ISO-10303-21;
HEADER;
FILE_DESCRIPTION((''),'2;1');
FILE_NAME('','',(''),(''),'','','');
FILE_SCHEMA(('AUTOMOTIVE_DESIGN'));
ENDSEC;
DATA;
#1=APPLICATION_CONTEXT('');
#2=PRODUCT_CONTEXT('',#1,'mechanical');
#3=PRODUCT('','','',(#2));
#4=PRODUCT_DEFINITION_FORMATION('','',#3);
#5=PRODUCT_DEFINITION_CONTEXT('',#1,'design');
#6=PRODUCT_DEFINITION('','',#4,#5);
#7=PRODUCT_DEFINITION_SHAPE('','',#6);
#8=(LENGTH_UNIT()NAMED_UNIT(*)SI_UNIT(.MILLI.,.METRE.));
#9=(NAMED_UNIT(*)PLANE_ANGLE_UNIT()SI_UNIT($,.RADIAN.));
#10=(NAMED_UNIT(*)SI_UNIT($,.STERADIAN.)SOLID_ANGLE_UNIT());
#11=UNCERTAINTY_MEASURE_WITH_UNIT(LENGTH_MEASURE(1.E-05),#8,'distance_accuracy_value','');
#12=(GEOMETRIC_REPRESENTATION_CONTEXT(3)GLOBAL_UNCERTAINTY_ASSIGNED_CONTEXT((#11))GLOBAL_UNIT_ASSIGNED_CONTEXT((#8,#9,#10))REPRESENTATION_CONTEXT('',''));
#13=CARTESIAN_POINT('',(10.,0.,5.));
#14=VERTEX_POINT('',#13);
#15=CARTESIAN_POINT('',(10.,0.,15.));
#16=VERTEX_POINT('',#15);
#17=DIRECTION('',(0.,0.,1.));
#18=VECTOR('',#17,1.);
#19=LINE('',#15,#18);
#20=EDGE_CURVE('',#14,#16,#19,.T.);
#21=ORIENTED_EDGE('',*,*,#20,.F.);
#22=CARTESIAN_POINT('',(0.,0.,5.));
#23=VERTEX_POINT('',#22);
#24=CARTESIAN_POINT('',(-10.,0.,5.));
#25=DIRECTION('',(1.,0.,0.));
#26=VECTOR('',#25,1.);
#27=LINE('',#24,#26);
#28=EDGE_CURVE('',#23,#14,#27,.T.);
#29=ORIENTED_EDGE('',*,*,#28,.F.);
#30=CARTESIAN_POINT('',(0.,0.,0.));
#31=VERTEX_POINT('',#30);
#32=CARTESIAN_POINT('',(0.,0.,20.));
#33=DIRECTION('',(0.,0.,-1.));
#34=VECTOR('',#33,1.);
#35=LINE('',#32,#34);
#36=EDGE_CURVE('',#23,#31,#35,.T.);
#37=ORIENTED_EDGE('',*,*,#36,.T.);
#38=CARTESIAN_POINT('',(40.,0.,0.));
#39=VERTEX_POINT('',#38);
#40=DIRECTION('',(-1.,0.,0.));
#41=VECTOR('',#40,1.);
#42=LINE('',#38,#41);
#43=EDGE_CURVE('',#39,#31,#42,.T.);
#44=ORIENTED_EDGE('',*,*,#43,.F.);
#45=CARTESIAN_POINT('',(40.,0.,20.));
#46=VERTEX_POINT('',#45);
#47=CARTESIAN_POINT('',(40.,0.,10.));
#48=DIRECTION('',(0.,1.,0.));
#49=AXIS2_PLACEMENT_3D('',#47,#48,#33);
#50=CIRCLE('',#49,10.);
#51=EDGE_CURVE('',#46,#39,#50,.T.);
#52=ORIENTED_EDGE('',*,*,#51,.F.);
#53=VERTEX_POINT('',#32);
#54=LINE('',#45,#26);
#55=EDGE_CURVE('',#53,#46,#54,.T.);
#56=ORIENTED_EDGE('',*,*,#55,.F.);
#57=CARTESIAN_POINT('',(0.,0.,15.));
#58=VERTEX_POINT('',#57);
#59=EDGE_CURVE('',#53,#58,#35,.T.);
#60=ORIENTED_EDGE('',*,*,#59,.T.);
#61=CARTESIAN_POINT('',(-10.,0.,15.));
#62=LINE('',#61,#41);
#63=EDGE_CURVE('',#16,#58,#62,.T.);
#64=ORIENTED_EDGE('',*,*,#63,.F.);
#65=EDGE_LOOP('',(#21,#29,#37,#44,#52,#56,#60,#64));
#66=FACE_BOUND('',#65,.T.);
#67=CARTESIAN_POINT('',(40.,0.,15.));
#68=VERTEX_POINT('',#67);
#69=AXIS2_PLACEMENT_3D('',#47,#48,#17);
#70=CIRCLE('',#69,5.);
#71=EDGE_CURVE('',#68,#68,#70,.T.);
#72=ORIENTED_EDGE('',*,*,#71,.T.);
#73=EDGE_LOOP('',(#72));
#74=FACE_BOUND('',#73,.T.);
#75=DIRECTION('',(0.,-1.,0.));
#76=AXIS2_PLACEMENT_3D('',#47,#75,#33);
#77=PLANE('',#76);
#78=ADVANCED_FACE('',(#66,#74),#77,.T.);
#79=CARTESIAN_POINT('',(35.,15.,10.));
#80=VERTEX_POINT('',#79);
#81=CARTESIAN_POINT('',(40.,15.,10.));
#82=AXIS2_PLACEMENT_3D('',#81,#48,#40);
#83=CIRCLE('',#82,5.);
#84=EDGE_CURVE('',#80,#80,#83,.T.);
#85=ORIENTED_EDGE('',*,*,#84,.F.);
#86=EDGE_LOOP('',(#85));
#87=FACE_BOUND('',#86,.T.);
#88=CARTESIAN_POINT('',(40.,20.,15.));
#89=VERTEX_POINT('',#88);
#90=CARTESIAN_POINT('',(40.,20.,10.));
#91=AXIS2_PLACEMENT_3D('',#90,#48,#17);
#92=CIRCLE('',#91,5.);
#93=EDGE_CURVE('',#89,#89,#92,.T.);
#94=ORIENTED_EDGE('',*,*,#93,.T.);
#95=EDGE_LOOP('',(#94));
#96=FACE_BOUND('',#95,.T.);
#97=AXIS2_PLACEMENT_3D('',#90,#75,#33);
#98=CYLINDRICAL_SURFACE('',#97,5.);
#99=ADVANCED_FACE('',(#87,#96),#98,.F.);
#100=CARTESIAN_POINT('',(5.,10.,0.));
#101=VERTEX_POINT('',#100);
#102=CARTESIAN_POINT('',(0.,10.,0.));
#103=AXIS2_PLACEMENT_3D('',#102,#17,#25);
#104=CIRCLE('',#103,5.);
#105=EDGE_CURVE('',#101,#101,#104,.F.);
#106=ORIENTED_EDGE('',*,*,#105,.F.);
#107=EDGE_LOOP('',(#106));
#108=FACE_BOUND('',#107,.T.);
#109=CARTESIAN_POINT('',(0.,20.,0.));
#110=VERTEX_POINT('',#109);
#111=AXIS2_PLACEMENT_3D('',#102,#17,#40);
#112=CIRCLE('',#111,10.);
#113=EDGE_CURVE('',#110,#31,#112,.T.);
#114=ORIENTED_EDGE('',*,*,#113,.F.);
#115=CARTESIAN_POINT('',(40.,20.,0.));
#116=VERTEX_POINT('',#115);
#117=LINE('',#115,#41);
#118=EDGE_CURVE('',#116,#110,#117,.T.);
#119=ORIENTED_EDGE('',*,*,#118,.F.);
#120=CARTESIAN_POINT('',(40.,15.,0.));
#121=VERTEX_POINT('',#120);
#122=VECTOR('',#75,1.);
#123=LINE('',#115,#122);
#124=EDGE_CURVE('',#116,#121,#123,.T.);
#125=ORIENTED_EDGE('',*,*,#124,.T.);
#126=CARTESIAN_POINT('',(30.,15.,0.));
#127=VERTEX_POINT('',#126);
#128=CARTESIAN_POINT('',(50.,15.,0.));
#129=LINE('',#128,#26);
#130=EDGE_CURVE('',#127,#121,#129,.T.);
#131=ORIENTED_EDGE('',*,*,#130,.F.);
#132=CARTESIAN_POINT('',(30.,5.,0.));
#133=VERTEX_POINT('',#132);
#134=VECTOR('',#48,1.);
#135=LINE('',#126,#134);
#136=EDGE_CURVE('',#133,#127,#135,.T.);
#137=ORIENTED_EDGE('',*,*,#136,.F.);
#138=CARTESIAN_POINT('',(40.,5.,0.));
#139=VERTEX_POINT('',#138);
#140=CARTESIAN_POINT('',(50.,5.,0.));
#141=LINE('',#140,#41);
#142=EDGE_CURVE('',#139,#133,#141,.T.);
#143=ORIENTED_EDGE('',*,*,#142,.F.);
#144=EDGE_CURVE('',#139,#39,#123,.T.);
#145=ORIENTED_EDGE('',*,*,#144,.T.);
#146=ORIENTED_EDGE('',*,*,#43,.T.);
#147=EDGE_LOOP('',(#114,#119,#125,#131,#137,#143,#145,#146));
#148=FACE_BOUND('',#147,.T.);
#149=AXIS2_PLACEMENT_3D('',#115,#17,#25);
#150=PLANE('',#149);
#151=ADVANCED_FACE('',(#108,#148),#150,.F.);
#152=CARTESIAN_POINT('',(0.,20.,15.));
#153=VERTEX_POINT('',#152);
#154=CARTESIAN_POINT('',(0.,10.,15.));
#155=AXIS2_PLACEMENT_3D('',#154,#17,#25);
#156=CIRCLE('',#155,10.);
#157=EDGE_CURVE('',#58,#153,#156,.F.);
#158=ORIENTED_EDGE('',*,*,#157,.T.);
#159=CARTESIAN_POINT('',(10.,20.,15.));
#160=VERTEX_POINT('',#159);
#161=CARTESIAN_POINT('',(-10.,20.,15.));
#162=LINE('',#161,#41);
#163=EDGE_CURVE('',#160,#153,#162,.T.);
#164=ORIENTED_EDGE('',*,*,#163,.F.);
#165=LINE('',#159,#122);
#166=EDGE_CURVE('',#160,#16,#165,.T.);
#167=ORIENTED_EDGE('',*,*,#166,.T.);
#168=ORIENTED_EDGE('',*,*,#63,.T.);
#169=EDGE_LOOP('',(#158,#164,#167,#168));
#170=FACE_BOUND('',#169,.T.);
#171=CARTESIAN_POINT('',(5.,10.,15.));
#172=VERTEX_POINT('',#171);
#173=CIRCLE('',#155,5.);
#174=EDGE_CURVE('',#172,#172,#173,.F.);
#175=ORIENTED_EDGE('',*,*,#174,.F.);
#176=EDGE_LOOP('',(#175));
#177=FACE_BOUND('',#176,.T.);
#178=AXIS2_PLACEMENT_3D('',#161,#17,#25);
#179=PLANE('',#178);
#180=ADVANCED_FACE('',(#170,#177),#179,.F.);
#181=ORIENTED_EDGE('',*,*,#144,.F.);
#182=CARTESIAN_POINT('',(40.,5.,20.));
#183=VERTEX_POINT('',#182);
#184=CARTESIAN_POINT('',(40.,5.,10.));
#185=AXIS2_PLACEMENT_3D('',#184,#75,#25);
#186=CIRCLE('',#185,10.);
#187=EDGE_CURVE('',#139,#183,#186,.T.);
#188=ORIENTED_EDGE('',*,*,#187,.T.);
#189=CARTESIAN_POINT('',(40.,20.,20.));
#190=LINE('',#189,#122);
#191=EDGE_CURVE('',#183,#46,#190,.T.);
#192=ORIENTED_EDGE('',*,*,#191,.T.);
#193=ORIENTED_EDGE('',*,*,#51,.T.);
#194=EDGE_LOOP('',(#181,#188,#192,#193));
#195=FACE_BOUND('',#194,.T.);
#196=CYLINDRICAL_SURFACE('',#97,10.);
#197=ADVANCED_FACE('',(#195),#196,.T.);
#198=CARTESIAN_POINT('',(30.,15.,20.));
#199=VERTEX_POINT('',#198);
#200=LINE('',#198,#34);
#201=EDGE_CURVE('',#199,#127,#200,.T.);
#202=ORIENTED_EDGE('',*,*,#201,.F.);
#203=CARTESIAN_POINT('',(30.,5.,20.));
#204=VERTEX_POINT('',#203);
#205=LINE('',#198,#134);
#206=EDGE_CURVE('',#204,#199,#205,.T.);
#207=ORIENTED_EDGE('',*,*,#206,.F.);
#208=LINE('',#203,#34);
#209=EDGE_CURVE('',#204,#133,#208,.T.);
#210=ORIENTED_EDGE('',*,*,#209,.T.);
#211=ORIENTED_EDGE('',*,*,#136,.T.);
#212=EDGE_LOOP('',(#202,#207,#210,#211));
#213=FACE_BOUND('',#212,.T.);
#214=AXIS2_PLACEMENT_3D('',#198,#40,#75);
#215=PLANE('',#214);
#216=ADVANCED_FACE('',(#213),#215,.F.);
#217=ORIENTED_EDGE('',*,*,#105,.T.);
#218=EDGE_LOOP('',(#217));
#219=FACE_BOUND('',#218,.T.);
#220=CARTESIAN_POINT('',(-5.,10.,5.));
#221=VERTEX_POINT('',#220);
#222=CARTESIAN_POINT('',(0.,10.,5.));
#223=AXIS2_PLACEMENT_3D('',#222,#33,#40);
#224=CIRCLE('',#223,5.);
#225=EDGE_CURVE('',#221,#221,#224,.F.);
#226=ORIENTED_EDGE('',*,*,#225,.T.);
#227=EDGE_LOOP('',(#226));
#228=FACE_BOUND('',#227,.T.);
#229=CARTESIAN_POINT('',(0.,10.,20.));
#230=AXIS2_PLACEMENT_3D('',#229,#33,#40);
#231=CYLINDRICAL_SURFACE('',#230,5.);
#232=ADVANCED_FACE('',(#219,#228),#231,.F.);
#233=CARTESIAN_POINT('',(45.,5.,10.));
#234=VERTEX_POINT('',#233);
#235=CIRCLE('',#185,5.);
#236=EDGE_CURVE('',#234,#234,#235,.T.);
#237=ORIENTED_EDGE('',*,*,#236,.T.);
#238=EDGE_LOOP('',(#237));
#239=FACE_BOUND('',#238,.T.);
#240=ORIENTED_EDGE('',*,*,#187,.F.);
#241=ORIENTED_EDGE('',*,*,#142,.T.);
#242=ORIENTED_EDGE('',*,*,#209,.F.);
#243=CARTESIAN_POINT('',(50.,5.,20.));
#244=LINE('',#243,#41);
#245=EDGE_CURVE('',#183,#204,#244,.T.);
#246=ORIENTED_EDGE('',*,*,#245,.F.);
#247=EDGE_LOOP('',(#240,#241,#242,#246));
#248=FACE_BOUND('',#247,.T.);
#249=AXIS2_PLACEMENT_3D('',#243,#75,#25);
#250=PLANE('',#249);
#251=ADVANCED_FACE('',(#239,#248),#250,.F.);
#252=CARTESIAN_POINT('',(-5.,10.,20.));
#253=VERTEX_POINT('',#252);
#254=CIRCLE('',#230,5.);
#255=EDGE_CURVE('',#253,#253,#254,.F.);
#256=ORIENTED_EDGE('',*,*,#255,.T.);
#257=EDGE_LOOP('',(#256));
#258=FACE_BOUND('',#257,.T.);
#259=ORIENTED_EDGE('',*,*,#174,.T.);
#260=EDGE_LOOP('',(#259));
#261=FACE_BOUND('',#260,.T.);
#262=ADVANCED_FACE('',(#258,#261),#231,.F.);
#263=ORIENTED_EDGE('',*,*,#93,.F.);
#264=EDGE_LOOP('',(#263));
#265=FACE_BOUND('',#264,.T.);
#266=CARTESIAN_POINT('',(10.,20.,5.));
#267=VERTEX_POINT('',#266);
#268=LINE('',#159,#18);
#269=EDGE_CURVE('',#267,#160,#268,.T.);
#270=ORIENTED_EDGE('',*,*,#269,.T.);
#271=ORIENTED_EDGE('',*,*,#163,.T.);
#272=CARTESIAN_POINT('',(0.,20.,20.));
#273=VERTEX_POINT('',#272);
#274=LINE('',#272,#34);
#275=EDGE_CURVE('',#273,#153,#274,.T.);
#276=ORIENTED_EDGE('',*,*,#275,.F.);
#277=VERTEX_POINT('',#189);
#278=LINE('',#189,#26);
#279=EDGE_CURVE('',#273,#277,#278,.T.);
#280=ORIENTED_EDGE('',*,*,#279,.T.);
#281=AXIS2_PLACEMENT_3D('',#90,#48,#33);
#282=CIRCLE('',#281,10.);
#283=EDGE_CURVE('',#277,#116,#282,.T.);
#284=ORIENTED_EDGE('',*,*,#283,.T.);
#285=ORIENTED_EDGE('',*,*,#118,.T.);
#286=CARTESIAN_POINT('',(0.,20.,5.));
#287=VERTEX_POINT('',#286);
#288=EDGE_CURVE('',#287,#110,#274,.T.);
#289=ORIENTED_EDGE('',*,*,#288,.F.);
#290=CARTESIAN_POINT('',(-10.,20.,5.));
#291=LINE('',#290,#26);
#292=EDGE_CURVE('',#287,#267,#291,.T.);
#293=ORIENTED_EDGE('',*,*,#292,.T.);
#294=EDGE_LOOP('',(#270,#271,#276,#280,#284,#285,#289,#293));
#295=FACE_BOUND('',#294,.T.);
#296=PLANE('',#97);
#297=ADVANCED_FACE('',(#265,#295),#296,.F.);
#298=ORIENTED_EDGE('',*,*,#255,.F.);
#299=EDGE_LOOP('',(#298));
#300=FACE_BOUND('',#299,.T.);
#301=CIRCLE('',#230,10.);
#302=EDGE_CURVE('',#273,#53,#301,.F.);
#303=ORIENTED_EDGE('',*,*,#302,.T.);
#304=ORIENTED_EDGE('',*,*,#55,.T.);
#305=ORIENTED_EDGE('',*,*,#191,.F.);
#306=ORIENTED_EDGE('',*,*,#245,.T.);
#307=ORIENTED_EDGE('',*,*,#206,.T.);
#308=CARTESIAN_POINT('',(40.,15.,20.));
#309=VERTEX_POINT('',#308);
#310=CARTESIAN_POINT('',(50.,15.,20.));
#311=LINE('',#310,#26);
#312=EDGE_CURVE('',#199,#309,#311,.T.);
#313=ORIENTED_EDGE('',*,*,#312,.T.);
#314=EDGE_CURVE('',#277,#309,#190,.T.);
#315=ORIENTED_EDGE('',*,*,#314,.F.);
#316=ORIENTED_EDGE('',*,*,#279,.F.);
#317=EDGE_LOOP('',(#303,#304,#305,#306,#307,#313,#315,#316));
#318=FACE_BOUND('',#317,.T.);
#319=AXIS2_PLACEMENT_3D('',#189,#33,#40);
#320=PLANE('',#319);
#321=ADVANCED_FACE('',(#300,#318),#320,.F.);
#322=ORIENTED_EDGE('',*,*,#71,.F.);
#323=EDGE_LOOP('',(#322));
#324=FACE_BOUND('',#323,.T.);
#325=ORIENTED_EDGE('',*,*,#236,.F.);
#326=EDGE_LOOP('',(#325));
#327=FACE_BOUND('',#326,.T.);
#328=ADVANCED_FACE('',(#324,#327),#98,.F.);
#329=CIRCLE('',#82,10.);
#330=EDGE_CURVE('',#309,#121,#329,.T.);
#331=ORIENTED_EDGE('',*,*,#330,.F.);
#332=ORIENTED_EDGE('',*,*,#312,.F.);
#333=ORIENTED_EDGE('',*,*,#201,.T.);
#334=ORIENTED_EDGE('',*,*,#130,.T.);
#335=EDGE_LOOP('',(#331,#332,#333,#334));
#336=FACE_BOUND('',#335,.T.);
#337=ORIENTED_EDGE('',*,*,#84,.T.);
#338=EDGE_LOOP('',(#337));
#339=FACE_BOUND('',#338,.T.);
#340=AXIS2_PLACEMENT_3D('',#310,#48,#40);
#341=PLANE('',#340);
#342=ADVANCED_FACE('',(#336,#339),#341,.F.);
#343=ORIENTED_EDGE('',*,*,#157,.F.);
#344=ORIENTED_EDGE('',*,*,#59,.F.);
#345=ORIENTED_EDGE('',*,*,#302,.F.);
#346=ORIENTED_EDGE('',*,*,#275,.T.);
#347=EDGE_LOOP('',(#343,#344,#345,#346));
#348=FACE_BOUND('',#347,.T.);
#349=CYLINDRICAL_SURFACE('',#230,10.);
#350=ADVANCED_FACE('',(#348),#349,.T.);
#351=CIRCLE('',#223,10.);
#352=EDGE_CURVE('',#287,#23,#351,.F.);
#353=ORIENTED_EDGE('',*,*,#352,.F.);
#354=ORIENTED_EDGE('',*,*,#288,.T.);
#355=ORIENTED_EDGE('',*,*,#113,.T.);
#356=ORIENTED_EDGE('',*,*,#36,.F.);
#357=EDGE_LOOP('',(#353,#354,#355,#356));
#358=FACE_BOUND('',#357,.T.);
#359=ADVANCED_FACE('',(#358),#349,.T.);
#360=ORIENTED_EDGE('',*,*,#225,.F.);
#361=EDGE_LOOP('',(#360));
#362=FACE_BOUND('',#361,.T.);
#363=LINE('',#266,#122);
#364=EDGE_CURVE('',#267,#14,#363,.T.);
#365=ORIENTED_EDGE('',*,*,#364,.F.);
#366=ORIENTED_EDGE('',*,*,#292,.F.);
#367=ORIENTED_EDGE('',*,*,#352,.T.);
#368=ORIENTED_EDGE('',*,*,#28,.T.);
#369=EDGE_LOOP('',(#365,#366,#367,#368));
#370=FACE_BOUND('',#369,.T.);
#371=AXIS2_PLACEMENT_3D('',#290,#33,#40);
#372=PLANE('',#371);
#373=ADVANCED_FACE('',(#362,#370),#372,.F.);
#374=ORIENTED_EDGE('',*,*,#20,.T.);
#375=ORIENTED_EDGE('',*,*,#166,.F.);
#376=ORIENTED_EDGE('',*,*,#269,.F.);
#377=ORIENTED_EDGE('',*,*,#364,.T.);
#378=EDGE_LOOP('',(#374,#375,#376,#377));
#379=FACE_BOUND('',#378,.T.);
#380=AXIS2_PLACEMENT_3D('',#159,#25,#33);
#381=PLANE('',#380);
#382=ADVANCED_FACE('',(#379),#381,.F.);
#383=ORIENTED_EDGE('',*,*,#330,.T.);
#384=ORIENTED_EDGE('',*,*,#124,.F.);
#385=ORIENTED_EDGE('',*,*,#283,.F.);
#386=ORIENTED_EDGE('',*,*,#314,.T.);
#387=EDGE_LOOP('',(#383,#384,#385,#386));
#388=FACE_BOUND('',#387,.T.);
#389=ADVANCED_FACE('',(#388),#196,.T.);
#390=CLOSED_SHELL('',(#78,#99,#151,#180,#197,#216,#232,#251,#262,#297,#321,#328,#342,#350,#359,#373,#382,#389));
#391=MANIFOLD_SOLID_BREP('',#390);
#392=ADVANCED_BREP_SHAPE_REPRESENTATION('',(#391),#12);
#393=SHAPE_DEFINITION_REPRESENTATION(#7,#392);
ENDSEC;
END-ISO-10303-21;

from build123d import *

# Parameters (mm, degrees)
ESQUISSE1_R        = 5
BOSS_EXTRU_1_DEPTH = 20
ESQUISSE2_R        = 5
BOSS_EXTRU_2_DEPTH = 20


with BuildPart() as part:
    # Esquisse1 → Boss.-Extru.1 (new body)
    with BuildSketch(Plane.XY):
        with BuildLine():
            Line((0, 0), (50, 0))
            Line((50, 0), (50, 5))
            Line((50, 5), (30, 5))
            Line((30, 5), (30, 15))
            Line((30, 15), (50, 15))
            Line((50, 15), (50, 20))
            Line((50, 20), (0, 20))
            ThreePointArc((0, 20), (-10, 10), (0, 0))
        make_face()
        with Locations((0, 10)):
            Circle(ESQUISSE1_R, mode=Mode.SUBTRACT)
    extrude(amount=BOSS_EXTRU_1_DEPTH)


with BuildPart() as body_2:
    # Esquisse2 → Boss.-Extru.2 (new body)
    with BuildSketch(Plane(origin=(0, 0, 0), x_dir=(1, 0, 0), z_dir=(0, 1, 0))):
        with BuildLine():
            Line((40, 0), (-10, 0))
            Line((-10, 0), (-10, -5))
            Line((-10, -5), (10, -5))
            Line((10, -5), (10, -15))
            Line((10, -15), (-10, -15))
            Line((-10, -15), (-10, -20))
            Line((-10, -20), (40, -20))
            ThreePointArc((40, -20), (50, -10), (40, 0))
        make_face()
        with Locations((40, -10)):
            Circle(ESQUISSE2_R, mode=Mode.SUBTRACT)
    extrude(amount=BOSS_EXTRU_2_DEPTH)

    # Combiner1: intersect part
    add(part.part, mode=Mode.INTERSECT)


solid = body_2.part
